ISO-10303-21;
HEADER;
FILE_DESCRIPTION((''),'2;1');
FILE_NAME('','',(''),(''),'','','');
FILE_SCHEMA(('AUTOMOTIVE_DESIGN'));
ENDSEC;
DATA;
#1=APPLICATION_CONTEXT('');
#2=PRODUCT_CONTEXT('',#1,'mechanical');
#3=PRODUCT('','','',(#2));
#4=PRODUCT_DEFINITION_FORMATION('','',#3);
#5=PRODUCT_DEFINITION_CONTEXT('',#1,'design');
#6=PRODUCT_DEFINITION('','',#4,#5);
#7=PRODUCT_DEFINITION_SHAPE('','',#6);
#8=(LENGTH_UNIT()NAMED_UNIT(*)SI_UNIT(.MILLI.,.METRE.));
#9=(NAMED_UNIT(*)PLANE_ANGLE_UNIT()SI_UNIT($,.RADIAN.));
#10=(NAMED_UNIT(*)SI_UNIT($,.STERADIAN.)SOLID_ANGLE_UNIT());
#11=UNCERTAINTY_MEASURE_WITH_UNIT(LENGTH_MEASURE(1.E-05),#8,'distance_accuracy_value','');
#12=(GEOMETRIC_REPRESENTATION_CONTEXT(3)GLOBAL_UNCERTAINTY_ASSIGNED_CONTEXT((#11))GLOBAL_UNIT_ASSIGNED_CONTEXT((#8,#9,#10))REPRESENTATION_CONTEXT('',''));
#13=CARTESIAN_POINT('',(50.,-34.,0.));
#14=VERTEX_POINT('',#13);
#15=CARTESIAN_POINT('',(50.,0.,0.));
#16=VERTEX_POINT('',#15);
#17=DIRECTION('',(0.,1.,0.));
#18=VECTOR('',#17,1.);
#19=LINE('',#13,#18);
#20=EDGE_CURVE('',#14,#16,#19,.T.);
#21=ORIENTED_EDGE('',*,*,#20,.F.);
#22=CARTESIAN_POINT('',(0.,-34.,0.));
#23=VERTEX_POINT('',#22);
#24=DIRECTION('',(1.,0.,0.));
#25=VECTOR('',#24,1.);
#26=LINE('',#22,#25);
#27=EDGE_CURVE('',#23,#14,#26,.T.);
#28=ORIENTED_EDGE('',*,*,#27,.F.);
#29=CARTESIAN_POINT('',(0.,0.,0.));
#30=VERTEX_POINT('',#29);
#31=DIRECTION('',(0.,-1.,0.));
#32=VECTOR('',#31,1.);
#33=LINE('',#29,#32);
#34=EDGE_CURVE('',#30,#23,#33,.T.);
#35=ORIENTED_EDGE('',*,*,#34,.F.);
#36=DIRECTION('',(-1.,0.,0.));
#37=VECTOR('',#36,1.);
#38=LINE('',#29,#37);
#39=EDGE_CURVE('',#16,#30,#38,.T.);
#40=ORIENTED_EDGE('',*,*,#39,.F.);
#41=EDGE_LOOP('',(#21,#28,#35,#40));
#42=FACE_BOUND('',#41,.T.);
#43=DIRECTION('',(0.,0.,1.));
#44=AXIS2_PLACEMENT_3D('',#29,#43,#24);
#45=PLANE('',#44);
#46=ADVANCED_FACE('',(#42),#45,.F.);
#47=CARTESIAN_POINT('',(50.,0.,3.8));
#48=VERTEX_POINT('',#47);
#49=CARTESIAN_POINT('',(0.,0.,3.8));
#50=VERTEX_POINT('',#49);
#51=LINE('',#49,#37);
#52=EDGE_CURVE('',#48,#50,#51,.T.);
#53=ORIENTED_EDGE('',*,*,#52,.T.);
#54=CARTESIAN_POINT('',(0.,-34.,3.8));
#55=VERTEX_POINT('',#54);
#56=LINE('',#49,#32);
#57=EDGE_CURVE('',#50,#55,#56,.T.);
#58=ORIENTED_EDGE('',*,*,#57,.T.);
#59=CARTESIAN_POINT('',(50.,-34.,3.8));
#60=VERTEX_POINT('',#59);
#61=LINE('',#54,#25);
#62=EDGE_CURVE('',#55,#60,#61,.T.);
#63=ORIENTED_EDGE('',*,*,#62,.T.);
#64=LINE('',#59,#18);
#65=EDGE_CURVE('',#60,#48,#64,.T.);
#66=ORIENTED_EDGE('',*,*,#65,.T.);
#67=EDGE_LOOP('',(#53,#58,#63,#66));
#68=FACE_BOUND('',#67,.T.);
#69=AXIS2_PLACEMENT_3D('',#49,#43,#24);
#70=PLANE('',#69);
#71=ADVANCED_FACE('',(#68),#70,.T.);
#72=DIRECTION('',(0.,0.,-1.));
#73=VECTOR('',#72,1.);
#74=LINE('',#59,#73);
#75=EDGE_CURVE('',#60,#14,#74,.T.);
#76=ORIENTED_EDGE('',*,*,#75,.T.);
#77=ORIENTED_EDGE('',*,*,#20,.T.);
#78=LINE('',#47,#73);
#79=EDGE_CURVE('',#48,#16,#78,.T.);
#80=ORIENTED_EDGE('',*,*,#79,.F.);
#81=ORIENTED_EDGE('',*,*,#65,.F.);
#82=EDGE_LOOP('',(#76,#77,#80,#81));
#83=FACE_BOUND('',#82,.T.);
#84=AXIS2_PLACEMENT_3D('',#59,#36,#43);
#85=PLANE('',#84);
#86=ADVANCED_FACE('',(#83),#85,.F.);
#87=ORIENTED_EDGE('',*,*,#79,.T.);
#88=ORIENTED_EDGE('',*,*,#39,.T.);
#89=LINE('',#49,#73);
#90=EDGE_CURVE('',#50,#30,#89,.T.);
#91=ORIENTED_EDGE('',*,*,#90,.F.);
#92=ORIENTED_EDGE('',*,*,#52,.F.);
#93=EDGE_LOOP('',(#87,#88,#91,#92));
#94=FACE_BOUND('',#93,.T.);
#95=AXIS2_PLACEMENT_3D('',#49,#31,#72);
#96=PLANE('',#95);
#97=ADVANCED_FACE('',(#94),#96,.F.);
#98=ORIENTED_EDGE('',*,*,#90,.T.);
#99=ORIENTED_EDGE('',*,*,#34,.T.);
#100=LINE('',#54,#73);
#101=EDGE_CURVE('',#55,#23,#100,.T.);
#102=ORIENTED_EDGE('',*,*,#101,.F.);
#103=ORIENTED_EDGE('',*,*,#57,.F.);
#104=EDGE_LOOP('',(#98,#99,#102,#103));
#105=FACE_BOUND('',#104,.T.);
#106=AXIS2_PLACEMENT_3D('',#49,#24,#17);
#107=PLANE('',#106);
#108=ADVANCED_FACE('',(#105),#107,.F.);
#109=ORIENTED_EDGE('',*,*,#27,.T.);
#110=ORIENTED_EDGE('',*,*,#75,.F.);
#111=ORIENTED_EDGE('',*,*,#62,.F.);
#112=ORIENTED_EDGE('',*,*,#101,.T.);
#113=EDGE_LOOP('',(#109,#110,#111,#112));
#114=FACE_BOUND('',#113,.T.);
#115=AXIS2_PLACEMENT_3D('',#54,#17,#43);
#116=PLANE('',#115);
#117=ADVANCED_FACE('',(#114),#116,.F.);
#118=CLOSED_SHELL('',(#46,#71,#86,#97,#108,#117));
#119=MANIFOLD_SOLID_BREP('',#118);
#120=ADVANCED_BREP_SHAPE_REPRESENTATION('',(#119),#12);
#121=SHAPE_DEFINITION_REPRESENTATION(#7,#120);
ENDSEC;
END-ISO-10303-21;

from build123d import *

# Parameters (mm, degrees)
SKETCH_1_W      = 45
SKETCH_1_H      = 34
EXTRUDE_1_DEPTH = 3.8
SKETCH_3_W      = 5
SKETCH_3_H      = 34
EXTRUDE_5_DEPTH = 3.8


with BuildPart() as part:
    # Эскиз1 → Бобышка-Вытянуть1 (new body)
    with BuildSketch(Plane.XY):
        with Locations((22.5, -17)):
            Rectangle(SKETCH_1_W, SKETCH_1_H)
    extrude(amount=EXTRUDE_1_DEPTH)

    # Эскиз3 → Бобышка-Вытянуть5 (add)
    with BuildSketch(Plane.XY):
        with Locations((47.5, -17)):
            Rectangle(SKETCH_3_W, SKETCH_3_H)
    extrude(amount=EXTRUDE_5_DEPTH)


solid = part.part
